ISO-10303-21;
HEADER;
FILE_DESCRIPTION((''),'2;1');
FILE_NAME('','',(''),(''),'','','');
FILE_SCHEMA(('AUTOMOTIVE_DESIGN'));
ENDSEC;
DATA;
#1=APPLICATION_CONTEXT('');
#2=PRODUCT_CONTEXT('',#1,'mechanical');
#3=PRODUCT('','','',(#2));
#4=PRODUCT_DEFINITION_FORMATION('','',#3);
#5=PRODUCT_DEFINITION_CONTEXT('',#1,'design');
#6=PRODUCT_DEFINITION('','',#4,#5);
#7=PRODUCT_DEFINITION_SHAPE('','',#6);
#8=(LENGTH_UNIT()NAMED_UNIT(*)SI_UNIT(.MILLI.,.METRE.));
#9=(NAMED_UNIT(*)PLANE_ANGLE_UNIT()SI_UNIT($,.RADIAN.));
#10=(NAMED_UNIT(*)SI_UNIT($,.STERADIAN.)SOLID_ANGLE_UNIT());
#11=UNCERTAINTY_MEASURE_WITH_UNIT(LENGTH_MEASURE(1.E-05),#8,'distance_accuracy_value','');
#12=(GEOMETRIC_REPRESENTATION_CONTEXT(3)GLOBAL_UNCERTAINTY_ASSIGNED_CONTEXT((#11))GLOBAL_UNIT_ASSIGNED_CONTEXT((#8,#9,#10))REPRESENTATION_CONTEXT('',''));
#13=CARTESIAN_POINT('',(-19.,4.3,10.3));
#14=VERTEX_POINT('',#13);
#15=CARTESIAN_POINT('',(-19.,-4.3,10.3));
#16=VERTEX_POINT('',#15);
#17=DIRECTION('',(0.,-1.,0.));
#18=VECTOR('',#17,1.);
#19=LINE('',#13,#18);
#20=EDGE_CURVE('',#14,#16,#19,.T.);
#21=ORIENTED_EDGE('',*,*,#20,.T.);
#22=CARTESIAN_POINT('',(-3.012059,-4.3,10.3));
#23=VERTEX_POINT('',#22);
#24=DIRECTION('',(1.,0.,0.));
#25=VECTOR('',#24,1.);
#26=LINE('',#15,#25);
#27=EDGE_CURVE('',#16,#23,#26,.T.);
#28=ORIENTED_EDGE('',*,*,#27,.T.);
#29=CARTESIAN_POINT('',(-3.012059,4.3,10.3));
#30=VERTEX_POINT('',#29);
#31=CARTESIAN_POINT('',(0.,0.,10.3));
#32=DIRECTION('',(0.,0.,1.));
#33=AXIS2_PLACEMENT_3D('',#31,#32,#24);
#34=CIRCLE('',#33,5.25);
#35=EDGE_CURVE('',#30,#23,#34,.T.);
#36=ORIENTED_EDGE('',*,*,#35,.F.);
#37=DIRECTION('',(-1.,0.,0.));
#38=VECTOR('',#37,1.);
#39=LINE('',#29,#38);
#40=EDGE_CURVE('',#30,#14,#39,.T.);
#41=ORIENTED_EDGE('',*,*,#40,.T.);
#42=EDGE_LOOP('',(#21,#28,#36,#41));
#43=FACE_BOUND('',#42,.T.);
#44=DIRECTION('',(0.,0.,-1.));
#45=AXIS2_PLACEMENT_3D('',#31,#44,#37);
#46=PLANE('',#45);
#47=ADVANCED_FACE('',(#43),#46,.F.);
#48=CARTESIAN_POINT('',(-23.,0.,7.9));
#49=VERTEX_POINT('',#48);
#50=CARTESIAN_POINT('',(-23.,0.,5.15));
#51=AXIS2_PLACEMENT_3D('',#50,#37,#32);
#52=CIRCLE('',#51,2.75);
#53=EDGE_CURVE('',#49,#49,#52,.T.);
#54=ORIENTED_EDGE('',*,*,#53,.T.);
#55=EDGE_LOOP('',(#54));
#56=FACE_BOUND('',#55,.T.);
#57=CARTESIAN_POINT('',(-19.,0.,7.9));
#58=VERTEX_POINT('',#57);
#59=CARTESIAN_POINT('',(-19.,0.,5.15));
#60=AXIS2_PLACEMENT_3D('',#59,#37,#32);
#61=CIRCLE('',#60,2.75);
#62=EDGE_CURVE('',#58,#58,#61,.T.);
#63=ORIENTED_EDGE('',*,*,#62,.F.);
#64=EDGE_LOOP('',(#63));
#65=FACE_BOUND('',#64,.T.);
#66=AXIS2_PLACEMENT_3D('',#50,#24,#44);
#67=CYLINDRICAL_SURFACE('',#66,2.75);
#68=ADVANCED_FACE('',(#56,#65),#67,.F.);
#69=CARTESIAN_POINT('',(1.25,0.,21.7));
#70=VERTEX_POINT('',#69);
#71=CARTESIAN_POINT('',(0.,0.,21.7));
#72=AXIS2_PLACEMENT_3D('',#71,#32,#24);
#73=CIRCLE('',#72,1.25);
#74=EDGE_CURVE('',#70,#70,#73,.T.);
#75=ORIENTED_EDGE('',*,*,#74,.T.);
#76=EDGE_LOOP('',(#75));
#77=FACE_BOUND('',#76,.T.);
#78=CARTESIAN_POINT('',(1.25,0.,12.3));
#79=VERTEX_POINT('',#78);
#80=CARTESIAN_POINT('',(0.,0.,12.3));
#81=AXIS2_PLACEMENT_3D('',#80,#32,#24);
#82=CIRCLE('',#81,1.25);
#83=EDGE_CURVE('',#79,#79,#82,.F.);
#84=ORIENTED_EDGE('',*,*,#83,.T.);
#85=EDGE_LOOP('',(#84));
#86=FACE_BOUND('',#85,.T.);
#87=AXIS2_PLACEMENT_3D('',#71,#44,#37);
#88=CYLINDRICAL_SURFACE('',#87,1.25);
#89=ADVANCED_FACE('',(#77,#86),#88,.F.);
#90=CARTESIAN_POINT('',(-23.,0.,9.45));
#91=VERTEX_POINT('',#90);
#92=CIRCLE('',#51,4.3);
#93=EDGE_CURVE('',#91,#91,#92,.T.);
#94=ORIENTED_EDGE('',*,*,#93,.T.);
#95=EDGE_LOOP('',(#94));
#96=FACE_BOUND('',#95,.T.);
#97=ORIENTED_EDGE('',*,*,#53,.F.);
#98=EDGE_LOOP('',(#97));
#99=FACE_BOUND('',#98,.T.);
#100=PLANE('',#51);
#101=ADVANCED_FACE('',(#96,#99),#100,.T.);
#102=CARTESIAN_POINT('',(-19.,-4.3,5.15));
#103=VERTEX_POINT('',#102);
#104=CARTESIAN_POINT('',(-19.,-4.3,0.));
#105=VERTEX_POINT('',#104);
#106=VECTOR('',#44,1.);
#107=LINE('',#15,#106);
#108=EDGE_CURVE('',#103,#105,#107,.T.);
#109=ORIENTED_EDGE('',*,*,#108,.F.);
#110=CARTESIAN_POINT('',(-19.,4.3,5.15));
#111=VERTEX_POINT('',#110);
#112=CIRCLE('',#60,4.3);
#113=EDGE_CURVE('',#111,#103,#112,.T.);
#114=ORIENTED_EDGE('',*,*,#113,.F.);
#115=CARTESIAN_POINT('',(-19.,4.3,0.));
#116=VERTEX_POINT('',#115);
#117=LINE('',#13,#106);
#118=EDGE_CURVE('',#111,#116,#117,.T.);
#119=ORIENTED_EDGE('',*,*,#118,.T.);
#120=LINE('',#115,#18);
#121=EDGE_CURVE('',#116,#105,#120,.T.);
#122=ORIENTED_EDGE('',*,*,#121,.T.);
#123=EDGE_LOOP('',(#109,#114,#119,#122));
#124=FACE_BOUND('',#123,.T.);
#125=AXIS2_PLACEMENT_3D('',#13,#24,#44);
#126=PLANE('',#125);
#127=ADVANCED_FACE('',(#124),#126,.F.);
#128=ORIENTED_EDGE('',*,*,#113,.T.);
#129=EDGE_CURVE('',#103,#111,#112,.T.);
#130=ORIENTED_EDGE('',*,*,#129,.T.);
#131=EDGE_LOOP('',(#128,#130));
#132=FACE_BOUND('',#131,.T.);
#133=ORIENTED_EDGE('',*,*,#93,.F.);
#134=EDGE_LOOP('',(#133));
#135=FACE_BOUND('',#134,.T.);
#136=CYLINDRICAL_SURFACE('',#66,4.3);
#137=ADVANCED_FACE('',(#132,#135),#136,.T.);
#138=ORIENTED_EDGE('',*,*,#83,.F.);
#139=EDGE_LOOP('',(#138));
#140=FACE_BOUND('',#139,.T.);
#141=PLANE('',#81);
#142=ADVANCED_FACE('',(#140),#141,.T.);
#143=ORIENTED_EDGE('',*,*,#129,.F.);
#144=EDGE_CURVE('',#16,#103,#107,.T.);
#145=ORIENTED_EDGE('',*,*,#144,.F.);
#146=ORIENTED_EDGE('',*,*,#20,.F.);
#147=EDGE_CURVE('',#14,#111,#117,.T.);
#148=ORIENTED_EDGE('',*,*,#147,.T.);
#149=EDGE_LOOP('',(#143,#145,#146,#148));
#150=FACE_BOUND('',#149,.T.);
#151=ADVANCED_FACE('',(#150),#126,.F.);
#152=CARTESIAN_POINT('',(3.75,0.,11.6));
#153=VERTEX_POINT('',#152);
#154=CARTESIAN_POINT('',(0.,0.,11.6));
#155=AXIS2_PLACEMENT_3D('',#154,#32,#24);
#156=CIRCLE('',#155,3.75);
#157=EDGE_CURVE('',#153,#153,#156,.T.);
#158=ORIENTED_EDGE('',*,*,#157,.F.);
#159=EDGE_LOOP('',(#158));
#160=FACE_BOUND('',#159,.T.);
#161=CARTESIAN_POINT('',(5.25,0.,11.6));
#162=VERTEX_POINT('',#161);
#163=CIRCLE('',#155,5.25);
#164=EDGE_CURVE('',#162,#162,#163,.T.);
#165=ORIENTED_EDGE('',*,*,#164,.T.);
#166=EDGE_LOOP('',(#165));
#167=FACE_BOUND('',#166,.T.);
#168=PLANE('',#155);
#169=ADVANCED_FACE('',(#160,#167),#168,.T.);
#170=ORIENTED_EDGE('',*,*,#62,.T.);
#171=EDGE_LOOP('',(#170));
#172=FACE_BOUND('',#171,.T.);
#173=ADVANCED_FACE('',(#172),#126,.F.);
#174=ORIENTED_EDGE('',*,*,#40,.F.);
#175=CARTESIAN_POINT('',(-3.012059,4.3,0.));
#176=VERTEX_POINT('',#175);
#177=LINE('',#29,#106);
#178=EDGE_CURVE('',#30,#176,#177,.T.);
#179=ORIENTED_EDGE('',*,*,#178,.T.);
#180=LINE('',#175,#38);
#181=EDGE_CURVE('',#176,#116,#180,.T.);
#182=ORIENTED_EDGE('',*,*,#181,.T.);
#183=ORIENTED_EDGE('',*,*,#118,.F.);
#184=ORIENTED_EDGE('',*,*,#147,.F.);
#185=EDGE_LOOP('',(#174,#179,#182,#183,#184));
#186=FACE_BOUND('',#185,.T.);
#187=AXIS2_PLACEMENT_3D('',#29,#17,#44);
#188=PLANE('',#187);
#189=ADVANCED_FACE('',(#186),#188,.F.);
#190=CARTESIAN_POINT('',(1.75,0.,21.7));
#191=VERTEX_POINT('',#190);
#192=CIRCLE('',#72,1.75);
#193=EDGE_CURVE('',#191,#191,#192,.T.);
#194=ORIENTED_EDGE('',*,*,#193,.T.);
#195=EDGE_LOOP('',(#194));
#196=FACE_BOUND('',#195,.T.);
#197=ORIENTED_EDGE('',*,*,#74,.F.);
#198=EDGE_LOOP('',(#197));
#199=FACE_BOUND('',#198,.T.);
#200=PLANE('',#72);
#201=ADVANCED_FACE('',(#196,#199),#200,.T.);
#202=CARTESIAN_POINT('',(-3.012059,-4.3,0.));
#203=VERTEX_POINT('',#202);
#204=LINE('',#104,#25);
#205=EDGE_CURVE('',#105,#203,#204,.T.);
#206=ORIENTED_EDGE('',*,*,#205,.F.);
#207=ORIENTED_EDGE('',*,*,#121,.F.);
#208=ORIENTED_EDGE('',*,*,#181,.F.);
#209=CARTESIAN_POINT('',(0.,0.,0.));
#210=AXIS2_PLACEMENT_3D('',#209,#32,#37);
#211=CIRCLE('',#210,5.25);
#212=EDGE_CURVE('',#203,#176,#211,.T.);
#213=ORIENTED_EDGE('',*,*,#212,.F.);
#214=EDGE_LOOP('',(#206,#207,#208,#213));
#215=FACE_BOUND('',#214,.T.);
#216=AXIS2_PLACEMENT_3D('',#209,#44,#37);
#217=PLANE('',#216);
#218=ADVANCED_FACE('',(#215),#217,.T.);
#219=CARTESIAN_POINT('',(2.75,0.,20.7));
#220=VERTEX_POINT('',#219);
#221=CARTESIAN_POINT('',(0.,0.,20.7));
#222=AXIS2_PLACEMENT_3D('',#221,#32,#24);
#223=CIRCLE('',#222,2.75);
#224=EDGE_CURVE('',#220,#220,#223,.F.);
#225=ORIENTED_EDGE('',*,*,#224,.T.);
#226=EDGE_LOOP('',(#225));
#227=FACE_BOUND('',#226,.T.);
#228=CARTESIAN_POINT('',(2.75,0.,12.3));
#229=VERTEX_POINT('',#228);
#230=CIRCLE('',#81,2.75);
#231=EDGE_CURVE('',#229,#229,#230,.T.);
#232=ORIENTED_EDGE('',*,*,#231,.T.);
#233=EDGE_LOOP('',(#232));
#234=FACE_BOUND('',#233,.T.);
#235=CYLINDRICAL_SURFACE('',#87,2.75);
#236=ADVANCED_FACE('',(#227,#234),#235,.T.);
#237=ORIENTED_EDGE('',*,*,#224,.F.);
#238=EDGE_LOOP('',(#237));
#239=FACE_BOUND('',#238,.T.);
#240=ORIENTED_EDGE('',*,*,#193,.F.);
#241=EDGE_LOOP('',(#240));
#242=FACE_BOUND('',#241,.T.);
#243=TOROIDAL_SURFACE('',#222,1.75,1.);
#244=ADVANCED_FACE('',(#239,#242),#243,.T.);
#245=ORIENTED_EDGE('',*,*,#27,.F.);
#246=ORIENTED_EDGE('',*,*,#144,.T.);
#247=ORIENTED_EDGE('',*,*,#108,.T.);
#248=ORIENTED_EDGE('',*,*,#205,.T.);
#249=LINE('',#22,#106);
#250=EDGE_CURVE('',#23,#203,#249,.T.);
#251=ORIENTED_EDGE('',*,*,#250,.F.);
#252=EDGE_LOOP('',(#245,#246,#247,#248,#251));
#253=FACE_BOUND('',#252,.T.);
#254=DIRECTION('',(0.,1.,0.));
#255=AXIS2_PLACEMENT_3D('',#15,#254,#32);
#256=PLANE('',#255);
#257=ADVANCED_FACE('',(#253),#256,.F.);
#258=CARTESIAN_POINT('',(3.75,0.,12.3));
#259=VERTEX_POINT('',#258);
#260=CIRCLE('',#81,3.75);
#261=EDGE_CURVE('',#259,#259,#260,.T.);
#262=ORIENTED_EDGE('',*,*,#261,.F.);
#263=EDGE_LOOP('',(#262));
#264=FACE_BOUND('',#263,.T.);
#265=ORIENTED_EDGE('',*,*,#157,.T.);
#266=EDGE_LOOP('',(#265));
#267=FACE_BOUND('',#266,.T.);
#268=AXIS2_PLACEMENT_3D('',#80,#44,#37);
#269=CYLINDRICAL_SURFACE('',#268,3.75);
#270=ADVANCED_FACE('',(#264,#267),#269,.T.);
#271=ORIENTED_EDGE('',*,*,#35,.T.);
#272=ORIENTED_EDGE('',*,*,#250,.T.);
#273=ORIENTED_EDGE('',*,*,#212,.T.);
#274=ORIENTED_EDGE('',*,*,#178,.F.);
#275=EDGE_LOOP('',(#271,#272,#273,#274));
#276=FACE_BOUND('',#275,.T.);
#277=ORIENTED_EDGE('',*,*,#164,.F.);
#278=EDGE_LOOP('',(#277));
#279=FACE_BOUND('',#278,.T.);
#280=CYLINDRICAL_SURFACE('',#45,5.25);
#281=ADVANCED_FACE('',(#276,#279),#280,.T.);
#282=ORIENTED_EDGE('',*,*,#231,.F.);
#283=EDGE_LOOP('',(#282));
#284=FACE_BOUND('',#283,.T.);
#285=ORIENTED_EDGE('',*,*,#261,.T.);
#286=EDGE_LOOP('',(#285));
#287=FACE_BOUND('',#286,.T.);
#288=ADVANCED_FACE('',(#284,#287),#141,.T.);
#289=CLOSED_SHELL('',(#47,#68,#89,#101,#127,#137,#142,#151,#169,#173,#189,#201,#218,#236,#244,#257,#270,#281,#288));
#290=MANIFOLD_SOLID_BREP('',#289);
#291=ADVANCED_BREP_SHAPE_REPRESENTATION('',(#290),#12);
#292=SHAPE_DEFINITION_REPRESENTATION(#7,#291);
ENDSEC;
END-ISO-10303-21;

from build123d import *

# Parameters (mm, degrees)
BOSS_EXTRUDE1_DEPTH = 10.3
SKETCH2_R           = 5.25
BOSS_EXTRUDE2_DEPTH = 1.3
SKETCH3_R           = 3.75
BOSS_EXTRUDE3_DEPTH = 0.7
SKETCH4_R           = 2.75
SKETCH4_R_2         = 1.25
BOSS_EXTRUDE4_DEPTH = 9.4
FILLET1_R           = 1
SKETCH5_R           = 4.3
SKETCH5_R_2         = 2.75
BOSS_EXTRUDE5_DEPTH = 4


with BuildPart() as part:
    # Sketch1 → Boss-Extrude1 (new body)
    with BuildSketch(Plane.XY):
        with BuildLine():
            Line((-3.012059096, 4.3), (-19, 4.3))
            Line((-19, 4.3), (-19, -4.3))
            Line((-19, -4.3), (-3.012059096, -4.3))
            ThreePointArc((-3.012059096, -4.3), (5.25, 0), (-3.012059096, 4.3))
        make_face()
    extrude(amount=BOSS_EXTRUDE1_DEPTH)

    # Sketch2 → Boss-Extrude2 (add)
    with BuildSketch(Plane.XY.offset(10.3)):
        Circle(SKETCH2_R)
    extrude(amount=BOSS_EXTRUDE2_DEPTH)

    # Sketch3 → Boss-Extrude3 (add)
    with BuildSketch(Plane.XY.offset(11.6)):
        Circle(SKETCH3_R)
    extrude(amount=BOSS_EXTRUDE3_DEPTH)

    # Sketch4 → Boss-Extrude4 (add)
    with BuildSketch(Plane.XY.offset(12.3)):
        Circle(SKETCH4_R)
        Circle(SKETCH4_R_2, mode=Mode.SUBTRACT)
    extrude(amount=BOSS_EXTRUDE4_DEPTH)

    # Fillet1
    fillet1_edges = [part.edges().sort_by_distance(p)[0] for p in [
        (-2.75, 0, 21.7),
    ]]
    fillet(fillet1_edges, radius=FILLET1_R)

    # Sketch5 → Boss-Extrude5 (add)
    with BuildSketch(Plane.ZY.offset(19)):
        with Locations((5.15, 0)):
            Circle(SKETCH5_R)
        with Locations((5.15, 0)):
            Circle(SKETCH5_R_2, mode=Mode.SUBTRACT)
    extrude(amount=BOSS_EXTRUDE5_DEPTH)


solid = part.part
